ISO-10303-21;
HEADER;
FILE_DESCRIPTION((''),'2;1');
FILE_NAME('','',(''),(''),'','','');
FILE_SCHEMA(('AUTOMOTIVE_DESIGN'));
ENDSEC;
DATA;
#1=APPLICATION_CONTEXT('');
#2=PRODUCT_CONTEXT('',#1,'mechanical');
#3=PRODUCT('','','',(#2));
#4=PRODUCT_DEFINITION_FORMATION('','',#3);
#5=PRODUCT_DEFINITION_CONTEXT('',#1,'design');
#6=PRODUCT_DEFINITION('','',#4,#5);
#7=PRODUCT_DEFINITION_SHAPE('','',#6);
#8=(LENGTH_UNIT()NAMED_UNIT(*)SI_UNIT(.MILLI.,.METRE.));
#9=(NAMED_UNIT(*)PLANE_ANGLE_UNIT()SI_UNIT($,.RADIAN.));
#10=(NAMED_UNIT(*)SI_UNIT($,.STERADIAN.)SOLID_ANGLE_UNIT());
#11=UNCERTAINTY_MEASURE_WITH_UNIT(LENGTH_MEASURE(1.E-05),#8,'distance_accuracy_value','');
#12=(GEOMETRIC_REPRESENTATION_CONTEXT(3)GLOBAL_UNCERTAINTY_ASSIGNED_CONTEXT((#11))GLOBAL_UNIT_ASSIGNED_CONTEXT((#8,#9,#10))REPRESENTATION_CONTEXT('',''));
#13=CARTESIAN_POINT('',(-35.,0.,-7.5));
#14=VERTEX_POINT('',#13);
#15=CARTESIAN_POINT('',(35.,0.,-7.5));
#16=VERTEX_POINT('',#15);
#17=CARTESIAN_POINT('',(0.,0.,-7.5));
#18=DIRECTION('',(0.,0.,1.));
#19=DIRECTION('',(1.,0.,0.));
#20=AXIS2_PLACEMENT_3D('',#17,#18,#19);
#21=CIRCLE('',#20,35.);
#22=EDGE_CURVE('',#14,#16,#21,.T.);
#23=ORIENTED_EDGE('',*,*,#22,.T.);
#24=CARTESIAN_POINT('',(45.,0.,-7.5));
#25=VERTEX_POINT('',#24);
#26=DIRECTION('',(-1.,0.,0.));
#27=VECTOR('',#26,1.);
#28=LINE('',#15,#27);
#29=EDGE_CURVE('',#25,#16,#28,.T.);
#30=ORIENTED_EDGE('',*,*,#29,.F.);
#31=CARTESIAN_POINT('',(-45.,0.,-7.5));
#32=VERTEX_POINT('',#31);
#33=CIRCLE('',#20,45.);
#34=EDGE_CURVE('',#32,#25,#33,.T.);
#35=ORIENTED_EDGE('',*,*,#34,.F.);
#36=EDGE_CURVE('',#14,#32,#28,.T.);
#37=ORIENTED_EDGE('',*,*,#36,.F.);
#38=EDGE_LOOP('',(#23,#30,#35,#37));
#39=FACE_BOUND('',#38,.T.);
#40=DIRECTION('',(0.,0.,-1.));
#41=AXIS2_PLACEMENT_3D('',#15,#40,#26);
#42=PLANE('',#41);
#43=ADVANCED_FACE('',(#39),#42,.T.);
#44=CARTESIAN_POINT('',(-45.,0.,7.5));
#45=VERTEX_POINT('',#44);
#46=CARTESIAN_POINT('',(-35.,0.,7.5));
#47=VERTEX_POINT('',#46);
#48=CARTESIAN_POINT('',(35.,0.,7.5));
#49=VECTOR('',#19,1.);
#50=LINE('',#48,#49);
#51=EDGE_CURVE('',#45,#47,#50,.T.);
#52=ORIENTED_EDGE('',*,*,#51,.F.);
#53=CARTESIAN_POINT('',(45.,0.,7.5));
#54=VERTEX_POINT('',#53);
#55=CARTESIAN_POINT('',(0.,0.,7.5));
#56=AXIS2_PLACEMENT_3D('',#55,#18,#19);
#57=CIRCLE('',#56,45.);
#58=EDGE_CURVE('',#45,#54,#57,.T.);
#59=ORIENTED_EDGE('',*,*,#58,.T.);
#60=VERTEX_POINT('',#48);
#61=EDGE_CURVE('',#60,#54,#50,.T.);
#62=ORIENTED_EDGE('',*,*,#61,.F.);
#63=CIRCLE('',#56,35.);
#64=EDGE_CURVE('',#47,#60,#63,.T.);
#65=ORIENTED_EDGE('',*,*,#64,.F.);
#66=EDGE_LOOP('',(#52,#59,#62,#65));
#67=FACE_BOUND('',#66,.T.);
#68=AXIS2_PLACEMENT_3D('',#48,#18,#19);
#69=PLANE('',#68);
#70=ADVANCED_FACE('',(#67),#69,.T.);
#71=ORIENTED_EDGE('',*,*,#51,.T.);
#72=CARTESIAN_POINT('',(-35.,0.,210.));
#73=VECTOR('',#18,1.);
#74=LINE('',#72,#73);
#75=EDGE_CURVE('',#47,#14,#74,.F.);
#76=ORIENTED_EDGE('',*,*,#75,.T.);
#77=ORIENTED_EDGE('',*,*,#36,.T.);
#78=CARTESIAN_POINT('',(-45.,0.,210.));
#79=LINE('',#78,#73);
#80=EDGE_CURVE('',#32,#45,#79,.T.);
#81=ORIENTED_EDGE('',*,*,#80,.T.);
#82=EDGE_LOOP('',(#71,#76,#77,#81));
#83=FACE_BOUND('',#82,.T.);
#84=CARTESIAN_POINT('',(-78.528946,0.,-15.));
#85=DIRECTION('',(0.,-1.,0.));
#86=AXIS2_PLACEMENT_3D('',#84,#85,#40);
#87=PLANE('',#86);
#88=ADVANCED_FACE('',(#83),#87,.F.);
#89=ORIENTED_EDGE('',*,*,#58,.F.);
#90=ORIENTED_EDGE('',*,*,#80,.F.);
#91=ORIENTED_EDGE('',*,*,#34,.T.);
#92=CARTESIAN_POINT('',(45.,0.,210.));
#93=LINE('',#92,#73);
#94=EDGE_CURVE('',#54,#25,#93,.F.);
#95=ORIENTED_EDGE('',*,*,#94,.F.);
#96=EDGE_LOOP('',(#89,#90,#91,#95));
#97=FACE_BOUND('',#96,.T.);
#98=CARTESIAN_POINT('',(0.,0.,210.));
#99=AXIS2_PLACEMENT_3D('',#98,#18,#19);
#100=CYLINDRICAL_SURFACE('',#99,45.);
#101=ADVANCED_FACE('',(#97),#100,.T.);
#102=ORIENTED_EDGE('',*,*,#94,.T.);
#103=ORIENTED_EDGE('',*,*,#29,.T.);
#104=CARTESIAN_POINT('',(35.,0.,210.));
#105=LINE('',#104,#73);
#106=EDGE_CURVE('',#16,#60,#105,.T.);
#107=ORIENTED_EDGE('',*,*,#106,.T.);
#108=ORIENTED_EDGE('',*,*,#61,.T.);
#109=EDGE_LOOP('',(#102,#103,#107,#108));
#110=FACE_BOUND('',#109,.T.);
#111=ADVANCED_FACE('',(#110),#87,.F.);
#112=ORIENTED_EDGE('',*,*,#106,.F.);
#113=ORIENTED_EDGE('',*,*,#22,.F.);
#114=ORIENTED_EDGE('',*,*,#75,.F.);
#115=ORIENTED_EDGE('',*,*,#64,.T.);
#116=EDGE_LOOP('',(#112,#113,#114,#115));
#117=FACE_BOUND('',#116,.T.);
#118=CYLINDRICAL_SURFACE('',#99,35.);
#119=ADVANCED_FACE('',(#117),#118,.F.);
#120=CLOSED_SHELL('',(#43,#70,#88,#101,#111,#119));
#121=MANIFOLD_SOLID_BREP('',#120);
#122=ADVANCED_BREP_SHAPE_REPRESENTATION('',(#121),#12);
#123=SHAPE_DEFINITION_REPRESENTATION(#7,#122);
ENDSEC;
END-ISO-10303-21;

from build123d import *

# Parameters (mm, degrees)
SKETCH_1_W          = 10
SKETCH_1_H          = 15
SKETCH_3_W          = 151.32253872
SKETCH_3_H          = 68.728998759
CUT_EXTRUDE_1_DEPTH = 15


with BuildPart() as part:
    # 스케치1 → 회전1 (revolve)
    with BuildSketch(Plane(origin=(0, 0, 0), x_dir=(1, 0, 0), z_dir=(0, 1, 0))):
        with Locations((40, 0)):
            Rectangle(SKETCH_1_W, SKETCH_1_H)
    revolve(axis=Axis((0, 0, 210), (0, 0, -1)))

    # 스케치3 → 컷-돌출1 (cut, symmetric)
    with BuildSketch(Plane.XY):
        with Locations((-2.867677042, 34.36449938)):
            Rectangle(SKETCH_3_W, SKETCH_3_H)
    extrude(amount=CUT_EXTRUDE_1_DEPTH, both=True, mode=Mode.SUBTRACT)


solid = part.part
